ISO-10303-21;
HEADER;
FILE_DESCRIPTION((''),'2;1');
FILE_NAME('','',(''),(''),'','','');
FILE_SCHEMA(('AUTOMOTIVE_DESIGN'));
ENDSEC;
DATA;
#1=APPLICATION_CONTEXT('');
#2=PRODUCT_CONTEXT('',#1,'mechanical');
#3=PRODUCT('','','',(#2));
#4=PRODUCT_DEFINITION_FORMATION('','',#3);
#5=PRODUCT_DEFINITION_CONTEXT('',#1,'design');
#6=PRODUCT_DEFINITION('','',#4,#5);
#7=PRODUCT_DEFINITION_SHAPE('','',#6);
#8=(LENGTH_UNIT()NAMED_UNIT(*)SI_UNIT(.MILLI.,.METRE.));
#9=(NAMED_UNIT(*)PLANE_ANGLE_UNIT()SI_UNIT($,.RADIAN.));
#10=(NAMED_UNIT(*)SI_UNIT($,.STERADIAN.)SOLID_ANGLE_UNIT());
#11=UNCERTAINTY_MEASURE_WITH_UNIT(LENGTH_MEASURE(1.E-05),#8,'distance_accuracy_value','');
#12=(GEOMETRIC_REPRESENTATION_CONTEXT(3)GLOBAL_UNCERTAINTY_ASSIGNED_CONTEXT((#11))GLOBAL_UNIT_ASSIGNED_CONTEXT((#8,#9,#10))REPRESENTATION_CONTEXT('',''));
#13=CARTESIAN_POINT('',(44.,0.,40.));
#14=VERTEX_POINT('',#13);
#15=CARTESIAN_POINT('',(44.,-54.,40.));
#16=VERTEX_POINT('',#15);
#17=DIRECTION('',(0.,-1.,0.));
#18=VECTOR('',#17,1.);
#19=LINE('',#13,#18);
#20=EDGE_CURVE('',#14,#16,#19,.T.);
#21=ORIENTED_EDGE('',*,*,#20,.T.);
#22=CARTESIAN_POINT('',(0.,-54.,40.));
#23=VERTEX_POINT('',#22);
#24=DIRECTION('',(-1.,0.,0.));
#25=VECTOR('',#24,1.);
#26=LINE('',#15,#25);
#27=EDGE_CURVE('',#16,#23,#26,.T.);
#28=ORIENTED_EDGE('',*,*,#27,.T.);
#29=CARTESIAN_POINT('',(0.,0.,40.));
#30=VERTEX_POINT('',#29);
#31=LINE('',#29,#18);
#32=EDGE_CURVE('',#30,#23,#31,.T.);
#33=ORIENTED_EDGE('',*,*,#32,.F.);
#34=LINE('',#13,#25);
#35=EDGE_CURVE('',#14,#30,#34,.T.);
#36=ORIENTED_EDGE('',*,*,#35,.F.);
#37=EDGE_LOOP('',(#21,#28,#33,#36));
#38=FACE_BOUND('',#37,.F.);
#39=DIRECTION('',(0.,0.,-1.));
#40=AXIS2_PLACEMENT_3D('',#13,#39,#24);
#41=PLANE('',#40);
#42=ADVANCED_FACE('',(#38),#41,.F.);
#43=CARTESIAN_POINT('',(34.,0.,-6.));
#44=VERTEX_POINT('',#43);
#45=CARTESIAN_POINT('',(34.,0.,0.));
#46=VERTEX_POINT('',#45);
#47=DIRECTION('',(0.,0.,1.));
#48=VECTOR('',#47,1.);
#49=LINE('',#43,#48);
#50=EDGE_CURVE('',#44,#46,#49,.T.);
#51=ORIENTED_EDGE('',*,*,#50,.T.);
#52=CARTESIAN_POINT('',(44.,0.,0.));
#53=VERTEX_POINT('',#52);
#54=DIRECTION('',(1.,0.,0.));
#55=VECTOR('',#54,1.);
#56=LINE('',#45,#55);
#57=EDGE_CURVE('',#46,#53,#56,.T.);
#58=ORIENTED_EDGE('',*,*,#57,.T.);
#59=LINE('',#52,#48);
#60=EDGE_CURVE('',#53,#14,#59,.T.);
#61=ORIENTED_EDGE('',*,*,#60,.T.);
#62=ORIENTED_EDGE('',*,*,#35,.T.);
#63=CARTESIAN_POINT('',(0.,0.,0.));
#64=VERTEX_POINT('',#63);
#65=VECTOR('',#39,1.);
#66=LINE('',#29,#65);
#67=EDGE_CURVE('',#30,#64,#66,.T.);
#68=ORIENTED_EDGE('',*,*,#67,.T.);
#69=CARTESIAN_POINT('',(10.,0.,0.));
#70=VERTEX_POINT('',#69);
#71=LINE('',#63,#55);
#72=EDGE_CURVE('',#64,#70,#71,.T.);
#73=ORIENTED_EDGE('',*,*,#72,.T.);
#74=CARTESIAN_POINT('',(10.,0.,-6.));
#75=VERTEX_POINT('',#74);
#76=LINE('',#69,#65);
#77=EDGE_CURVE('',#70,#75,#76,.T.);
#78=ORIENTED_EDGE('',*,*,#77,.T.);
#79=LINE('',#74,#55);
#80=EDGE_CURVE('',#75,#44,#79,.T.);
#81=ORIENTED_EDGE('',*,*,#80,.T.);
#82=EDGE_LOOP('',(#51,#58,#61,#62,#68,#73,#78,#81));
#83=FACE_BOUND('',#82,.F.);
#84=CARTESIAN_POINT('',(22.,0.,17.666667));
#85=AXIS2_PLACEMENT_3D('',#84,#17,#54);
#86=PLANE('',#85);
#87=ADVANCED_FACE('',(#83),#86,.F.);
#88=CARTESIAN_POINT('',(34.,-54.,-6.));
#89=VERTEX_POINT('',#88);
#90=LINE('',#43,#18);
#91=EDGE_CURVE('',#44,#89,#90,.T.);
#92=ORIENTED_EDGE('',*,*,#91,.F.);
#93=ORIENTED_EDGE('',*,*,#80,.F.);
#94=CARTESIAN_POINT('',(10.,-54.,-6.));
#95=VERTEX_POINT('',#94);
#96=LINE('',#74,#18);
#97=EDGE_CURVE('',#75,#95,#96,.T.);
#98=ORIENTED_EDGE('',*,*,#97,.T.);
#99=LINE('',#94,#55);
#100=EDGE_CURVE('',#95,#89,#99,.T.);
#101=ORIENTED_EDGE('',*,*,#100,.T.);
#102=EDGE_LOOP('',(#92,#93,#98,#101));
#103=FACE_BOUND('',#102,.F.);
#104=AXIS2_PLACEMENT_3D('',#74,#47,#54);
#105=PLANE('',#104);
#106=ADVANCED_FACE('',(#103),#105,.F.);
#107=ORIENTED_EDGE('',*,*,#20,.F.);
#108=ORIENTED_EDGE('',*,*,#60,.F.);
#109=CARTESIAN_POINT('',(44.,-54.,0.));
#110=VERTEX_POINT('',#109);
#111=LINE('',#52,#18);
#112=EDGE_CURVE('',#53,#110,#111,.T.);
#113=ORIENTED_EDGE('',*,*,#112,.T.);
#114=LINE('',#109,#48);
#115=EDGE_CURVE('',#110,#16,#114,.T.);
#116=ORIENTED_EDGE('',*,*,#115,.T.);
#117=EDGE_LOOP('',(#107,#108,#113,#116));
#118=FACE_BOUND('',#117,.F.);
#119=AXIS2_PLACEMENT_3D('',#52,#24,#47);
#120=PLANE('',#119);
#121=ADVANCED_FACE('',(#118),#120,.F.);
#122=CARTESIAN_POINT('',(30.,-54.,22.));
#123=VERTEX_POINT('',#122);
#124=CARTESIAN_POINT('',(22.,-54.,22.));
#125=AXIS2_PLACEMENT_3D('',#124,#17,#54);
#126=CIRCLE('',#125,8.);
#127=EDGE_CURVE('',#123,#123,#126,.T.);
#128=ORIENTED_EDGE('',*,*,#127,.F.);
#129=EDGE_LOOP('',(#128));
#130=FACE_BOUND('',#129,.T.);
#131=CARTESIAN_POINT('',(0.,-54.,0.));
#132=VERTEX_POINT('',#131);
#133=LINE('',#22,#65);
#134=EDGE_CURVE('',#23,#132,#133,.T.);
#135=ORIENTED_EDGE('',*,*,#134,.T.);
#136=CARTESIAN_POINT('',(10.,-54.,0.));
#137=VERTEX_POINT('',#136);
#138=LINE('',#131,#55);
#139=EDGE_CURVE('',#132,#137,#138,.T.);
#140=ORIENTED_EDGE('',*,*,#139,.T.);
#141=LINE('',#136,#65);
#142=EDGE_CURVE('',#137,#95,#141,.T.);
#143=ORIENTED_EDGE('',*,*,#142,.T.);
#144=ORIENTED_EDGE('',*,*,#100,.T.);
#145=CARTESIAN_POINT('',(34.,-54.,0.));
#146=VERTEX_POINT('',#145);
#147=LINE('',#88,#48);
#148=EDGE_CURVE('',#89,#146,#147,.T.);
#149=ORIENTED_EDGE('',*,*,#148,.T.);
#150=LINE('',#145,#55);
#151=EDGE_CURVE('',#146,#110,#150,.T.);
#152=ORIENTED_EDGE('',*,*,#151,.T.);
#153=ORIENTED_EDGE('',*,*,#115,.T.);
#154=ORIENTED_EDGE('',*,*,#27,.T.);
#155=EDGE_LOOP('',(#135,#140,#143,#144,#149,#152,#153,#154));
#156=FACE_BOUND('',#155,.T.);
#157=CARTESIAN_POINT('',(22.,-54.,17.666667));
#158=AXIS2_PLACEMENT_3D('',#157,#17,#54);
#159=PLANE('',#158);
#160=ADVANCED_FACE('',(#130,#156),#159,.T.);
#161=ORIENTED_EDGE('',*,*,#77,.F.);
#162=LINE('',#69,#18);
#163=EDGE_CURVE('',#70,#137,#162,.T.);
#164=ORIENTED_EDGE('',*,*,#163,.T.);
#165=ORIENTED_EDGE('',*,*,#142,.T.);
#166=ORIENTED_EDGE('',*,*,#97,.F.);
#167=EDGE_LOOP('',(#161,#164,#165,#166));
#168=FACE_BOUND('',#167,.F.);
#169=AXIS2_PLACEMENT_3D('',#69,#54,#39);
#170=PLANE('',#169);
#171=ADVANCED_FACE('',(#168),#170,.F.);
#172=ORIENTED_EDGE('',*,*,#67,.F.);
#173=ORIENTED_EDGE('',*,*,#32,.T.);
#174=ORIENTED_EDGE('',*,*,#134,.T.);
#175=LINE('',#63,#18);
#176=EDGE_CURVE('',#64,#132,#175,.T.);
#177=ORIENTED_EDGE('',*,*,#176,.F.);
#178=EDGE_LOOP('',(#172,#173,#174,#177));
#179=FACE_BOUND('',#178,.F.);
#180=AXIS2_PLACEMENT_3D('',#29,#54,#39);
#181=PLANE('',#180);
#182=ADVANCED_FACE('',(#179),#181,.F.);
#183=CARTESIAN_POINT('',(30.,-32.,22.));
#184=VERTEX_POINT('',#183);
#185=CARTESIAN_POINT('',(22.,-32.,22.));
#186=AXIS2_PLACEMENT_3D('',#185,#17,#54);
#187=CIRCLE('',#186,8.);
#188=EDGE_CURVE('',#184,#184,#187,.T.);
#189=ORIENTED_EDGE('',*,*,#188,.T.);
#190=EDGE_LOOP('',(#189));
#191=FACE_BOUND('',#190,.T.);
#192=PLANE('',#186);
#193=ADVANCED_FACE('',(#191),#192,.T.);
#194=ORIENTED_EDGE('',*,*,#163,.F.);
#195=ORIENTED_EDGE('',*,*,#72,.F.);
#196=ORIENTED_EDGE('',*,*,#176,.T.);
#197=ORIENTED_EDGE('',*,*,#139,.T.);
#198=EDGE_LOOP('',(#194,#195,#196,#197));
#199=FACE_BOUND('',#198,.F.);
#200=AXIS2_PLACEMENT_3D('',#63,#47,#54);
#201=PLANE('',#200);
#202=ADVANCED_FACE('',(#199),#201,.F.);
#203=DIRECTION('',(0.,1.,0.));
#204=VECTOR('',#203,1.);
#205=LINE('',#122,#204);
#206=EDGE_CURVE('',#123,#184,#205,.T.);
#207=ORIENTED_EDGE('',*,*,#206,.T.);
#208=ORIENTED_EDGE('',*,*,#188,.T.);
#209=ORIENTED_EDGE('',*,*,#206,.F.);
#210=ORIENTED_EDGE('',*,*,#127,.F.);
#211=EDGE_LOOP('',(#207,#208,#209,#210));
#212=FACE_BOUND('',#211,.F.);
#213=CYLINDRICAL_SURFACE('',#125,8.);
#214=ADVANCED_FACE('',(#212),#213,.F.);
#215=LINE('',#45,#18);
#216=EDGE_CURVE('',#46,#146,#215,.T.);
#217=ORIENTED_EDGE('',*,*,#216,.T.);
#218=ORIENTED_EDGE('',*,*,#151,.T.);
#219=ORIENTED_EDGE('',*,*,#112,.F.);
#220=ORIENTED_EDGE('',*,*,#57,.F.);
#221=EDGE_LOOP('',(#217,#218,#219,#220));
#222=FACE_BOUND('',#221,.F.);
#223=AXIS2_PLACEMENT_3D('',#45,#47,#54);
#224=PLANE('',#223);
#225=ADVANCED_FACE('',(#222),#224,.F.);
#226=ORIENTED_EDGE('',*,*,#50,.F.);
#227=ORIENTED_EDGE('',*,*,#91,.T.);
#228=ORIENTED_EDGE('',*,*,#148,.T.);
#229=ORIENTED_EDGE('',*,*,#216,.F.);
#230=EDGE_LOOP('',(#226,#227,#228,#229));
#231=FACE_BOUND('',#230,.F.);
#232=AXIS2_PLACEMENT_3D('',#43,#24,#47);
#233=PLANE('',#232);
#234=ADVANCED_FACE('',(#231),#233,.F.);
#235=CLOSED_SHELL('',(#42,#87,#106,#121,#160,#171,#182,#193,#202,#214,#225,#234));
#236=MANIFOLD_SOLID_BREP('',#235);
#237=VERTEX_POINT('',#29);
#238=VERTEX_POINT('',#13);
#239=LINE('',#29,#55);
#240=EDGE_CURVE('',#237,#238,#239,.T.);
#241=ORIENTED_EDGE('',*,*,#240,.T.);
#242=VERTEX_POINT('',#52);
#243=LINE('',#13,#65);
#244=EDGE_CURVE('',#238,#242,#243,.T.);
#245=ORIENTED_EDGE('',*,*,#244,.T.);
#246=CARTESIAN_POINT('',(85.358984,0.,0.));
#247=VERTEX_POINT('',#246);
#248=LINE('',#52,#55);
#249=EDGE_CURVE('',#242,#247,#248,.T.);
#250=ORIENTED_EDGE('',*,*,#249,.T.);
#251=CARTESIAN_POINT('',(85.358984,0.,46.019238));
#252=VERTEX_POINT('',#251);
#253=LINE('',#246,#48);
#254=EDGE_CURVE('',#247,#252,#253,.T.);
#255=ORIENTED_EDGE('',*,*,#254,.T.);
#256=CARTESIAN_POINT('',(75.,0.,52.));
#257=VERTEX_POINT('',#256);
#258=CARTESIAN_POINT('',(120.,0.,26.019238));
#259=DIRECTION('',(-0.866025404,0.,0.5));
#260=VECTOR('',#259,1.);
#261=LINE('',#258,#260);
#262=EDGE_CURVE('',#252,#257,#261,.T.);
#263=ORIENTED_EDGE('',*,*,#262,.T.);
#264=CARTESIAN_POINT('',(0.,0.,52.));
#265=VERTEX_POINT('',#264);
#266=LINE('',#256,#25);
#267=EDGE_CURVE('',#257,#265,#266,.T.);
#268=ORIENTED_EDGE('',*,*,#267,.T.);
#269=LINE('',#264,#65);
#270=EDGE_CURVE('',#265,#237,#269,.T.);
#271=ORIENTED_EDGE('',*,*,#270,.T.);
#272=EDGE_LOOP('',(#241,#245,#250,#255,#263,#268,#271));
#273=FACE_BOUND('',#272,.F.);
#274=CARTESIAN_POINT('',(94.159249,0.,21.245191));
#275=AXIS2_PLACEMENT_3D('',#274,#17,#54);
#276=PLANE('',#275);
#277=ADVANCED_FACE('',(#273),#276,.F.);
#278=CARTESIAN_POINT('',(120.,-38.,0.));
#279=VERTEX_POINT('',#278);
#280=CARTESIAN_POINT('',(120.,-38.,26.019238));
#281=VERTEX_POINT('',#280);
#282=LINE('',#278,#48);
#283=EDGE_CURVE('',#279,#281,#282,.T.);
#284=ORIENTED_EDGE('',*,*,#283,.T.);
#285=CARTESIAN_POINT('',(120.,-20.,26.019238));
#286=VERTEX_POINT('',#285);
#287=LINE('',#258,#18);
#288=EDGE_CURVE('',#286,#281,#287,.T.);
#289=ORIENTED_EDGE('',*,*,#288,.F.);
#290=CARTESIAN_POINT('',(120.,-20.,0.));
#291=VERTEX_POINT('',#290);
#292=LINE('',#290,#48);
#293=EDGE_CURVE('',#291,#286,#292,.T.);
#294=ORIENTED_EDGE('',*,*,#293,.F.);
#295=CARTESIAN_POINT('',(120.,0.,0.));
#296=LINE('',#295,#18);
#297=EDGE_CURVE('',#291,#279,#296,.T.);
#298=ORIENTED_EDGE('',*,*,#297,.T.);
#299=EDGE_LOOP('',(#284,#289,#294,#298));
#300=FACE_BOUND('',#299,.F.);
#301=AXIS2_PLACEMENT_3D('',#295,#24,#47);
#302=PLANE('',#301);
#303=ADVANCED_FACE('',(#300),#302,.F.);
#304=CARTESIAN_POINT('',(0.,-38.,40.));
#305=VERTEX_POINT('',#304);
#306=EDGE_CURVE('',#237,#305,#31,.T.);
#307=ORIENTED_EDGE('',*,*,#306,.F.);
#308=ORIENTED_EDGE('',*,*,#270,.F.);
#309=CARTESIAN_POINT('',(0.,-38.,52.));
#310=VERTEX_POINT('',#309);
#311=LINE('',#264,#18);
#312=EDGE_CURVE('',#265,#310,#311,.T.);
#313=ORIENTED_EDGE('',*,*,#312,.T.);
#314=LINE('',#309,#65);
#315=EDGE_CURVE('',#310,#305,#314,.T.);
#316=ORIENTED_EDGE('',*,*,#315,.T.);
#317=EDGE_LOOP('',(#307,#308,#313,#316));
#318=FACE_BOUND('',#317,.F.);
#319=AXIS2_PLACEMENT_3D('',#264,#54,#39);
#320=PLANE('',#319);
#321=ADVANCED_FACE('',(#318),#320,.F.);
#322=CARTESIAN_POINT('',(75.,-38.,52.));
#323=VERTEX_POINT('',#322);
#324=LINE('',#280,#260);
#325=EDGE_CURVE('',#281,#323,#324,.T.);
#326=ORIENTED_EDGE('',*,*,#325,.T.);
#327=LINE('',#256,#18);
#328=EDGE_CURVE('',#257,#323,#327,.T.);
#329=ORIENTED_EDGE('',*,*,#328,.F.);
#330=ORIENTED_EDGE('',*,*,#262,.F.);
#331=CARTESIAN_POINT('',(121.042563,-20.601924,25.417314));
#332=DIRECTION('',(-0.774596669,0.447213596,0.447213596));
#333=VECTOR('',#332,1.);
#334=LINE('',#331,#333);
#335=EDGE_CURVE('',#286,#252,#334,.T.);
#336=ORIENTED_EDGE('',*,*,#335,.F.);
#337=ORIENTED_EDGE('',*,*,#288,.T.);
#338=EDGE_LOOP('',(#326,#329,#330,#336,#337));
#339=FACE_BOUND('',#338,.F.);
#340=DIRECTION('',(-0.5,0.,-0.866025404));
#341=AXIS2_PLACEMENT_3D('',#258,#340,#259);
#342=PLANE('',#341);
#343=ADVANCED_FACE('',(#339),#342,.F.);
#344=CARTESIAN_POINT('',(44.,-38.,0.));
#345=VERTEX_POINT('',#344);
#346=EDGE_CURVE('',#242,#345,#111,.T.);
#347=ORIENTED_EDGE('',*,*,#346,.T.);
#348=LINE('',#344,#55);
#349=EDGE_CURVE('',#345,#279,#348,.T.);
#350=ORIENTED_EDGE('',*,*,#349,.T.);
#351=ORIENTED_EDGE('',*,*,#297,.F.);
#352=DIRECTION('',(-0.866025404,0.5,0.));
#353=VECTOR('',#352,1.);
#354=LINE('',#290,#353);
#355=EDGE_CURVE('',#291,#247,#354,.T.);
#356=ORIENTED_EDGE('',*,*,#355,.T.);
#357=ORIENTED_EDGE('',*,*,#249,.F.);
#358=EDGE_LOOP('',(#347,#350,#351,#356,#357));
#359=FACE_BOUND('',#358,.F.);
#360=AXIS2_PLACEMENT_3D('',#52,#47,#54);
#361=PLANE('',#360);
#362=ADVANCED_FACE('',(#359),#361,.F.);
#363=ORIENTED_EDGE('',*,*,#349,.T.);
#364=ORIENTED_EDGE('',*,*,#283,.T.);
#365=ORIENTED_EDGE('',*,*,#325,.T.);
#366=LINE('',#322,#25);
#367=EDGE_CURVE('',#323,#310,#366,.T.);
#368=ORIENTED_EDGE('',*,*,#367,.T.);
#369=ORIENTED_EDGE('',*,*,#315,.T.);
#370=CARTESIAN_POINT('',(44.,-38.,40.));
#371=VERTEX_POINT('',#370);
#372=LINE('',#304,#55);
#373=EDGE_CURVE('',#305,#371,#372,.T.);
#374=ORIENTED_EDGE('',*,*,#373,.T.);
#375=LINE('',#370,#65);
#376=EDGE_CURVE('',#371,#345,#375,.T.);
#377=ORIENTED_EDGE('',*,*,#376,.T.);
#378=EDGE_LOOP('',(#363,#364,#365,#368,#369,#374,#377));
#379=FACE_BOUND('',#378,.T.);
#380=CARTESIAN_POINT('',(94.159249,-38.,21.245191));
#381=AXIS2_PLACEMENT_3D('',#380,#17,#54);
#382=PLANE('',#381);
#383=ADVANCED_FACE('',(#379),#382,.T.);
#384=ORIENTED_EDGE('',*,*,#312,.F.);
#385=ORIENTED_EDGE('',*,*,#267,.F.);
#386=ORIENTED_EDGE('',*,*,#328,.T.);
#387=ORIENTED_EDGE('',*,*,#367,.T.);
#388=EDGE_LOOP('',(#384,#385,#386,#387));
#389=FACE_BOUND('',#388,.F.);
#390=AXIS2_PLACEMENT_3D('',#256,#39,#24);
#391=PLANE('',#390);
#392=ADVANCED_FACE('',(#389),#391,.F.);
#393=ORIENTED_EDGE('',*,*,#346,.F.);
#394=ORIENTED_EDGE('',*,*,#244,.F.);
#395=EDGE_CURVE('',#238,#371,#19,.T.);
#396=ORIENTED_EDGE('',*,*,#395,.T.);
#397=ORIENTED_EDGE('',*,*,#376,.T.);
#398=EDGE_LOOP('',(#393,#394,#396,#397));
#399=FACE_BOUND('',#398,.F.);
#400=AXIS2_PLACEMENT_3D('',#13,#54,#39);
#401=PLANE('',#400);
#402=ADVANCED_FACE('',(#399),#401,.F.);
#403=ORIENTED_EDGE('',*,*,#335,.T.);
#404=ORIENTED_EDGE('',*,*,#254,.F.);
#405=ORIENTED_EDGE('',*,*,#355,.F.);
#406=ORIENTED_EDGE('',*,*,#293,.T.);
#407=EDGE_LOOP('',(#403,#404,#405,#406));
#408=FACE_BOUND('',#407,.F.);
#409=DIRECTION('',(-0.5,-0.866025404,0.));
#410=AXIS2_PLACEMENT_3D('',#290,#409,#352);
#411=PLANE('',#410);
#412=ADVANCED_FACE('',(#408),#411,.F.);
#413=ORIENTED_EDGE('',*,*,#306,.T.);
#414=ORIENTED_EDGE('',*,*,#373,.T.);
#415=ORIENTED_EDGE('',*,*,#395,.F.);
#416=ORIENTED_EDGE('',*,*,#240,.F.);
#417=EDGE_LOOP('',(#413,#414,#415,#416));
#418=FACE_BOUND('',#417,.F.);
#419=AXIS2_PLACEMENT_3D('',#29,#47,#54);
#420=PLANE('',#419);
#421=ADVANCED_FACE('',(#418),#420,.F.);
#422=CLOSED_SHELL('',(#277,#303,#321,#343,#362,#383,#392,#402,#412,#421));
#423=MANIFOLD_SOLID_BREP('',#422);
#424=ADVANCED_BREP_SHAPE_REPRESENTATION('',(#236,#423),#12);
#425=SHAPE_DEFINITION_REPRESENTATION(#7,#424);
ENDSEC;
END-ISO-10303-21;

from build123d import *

# Parameters (mm, degrees)
F1_DEPTH = 38
F0_R     = 8
F2_DEPTH = 54
F4_DEPTH = 52.001
F5_R     = 8
F6_DEPTH = 22


with BuildPart() as f1:
    # F0 (on Front) → F1 (new body)
    with BuildSketch(Plane.XZ):
        Polygon((120, 26.0192378865), (75, 52), (75, 0), (120, 0), align=None)
        Polygon((0, 52), (0, 40), (44, 40), (44, 0), (75, 0), (75, 52), align=None)
    extrude(amount=F1_DEPTH)

    # F3 (on face) → F4 (cut, through all)
    with BuildSketch(Plane(origin=(0, 0, 0), x_dir=(1, 0, 0), z_dir=(0, 0, -1))):
        Polygon((85.3589838486, 0), (120, 0), (120, 20), align=None)
    extrude(amount=-F4_DEPTH, mode=Mode.SUBTRACT)


with BuildPart() as f2:
    # F0 (on Front) → F2 (new body)
    with BuildSketch(Plane.XZ):
        Polygon((0, 40), (0, 0), (10, 0), (10, -6), (34, -6), (34, 0), (44, 0), (44, 40), align=None)
        with Locations((22, 22)):
            Circle(F0_R, mode=Mode.SUBTRACT)
        with Locations((22, 22)):
            Circle(F0_R)
    extrude(amount=F2_DEPTH)

    # F5 (on face) → F6 (cut)
    with BuildSketch(Plane.XZ.offset(54)):
        with Locations((22, 22)):
            Circle(F5_R)
    extrude(amount=-F6_DEPTH, mode=Mode.SUBTRACT)


solid = Compound([f1.part, f2.part])
